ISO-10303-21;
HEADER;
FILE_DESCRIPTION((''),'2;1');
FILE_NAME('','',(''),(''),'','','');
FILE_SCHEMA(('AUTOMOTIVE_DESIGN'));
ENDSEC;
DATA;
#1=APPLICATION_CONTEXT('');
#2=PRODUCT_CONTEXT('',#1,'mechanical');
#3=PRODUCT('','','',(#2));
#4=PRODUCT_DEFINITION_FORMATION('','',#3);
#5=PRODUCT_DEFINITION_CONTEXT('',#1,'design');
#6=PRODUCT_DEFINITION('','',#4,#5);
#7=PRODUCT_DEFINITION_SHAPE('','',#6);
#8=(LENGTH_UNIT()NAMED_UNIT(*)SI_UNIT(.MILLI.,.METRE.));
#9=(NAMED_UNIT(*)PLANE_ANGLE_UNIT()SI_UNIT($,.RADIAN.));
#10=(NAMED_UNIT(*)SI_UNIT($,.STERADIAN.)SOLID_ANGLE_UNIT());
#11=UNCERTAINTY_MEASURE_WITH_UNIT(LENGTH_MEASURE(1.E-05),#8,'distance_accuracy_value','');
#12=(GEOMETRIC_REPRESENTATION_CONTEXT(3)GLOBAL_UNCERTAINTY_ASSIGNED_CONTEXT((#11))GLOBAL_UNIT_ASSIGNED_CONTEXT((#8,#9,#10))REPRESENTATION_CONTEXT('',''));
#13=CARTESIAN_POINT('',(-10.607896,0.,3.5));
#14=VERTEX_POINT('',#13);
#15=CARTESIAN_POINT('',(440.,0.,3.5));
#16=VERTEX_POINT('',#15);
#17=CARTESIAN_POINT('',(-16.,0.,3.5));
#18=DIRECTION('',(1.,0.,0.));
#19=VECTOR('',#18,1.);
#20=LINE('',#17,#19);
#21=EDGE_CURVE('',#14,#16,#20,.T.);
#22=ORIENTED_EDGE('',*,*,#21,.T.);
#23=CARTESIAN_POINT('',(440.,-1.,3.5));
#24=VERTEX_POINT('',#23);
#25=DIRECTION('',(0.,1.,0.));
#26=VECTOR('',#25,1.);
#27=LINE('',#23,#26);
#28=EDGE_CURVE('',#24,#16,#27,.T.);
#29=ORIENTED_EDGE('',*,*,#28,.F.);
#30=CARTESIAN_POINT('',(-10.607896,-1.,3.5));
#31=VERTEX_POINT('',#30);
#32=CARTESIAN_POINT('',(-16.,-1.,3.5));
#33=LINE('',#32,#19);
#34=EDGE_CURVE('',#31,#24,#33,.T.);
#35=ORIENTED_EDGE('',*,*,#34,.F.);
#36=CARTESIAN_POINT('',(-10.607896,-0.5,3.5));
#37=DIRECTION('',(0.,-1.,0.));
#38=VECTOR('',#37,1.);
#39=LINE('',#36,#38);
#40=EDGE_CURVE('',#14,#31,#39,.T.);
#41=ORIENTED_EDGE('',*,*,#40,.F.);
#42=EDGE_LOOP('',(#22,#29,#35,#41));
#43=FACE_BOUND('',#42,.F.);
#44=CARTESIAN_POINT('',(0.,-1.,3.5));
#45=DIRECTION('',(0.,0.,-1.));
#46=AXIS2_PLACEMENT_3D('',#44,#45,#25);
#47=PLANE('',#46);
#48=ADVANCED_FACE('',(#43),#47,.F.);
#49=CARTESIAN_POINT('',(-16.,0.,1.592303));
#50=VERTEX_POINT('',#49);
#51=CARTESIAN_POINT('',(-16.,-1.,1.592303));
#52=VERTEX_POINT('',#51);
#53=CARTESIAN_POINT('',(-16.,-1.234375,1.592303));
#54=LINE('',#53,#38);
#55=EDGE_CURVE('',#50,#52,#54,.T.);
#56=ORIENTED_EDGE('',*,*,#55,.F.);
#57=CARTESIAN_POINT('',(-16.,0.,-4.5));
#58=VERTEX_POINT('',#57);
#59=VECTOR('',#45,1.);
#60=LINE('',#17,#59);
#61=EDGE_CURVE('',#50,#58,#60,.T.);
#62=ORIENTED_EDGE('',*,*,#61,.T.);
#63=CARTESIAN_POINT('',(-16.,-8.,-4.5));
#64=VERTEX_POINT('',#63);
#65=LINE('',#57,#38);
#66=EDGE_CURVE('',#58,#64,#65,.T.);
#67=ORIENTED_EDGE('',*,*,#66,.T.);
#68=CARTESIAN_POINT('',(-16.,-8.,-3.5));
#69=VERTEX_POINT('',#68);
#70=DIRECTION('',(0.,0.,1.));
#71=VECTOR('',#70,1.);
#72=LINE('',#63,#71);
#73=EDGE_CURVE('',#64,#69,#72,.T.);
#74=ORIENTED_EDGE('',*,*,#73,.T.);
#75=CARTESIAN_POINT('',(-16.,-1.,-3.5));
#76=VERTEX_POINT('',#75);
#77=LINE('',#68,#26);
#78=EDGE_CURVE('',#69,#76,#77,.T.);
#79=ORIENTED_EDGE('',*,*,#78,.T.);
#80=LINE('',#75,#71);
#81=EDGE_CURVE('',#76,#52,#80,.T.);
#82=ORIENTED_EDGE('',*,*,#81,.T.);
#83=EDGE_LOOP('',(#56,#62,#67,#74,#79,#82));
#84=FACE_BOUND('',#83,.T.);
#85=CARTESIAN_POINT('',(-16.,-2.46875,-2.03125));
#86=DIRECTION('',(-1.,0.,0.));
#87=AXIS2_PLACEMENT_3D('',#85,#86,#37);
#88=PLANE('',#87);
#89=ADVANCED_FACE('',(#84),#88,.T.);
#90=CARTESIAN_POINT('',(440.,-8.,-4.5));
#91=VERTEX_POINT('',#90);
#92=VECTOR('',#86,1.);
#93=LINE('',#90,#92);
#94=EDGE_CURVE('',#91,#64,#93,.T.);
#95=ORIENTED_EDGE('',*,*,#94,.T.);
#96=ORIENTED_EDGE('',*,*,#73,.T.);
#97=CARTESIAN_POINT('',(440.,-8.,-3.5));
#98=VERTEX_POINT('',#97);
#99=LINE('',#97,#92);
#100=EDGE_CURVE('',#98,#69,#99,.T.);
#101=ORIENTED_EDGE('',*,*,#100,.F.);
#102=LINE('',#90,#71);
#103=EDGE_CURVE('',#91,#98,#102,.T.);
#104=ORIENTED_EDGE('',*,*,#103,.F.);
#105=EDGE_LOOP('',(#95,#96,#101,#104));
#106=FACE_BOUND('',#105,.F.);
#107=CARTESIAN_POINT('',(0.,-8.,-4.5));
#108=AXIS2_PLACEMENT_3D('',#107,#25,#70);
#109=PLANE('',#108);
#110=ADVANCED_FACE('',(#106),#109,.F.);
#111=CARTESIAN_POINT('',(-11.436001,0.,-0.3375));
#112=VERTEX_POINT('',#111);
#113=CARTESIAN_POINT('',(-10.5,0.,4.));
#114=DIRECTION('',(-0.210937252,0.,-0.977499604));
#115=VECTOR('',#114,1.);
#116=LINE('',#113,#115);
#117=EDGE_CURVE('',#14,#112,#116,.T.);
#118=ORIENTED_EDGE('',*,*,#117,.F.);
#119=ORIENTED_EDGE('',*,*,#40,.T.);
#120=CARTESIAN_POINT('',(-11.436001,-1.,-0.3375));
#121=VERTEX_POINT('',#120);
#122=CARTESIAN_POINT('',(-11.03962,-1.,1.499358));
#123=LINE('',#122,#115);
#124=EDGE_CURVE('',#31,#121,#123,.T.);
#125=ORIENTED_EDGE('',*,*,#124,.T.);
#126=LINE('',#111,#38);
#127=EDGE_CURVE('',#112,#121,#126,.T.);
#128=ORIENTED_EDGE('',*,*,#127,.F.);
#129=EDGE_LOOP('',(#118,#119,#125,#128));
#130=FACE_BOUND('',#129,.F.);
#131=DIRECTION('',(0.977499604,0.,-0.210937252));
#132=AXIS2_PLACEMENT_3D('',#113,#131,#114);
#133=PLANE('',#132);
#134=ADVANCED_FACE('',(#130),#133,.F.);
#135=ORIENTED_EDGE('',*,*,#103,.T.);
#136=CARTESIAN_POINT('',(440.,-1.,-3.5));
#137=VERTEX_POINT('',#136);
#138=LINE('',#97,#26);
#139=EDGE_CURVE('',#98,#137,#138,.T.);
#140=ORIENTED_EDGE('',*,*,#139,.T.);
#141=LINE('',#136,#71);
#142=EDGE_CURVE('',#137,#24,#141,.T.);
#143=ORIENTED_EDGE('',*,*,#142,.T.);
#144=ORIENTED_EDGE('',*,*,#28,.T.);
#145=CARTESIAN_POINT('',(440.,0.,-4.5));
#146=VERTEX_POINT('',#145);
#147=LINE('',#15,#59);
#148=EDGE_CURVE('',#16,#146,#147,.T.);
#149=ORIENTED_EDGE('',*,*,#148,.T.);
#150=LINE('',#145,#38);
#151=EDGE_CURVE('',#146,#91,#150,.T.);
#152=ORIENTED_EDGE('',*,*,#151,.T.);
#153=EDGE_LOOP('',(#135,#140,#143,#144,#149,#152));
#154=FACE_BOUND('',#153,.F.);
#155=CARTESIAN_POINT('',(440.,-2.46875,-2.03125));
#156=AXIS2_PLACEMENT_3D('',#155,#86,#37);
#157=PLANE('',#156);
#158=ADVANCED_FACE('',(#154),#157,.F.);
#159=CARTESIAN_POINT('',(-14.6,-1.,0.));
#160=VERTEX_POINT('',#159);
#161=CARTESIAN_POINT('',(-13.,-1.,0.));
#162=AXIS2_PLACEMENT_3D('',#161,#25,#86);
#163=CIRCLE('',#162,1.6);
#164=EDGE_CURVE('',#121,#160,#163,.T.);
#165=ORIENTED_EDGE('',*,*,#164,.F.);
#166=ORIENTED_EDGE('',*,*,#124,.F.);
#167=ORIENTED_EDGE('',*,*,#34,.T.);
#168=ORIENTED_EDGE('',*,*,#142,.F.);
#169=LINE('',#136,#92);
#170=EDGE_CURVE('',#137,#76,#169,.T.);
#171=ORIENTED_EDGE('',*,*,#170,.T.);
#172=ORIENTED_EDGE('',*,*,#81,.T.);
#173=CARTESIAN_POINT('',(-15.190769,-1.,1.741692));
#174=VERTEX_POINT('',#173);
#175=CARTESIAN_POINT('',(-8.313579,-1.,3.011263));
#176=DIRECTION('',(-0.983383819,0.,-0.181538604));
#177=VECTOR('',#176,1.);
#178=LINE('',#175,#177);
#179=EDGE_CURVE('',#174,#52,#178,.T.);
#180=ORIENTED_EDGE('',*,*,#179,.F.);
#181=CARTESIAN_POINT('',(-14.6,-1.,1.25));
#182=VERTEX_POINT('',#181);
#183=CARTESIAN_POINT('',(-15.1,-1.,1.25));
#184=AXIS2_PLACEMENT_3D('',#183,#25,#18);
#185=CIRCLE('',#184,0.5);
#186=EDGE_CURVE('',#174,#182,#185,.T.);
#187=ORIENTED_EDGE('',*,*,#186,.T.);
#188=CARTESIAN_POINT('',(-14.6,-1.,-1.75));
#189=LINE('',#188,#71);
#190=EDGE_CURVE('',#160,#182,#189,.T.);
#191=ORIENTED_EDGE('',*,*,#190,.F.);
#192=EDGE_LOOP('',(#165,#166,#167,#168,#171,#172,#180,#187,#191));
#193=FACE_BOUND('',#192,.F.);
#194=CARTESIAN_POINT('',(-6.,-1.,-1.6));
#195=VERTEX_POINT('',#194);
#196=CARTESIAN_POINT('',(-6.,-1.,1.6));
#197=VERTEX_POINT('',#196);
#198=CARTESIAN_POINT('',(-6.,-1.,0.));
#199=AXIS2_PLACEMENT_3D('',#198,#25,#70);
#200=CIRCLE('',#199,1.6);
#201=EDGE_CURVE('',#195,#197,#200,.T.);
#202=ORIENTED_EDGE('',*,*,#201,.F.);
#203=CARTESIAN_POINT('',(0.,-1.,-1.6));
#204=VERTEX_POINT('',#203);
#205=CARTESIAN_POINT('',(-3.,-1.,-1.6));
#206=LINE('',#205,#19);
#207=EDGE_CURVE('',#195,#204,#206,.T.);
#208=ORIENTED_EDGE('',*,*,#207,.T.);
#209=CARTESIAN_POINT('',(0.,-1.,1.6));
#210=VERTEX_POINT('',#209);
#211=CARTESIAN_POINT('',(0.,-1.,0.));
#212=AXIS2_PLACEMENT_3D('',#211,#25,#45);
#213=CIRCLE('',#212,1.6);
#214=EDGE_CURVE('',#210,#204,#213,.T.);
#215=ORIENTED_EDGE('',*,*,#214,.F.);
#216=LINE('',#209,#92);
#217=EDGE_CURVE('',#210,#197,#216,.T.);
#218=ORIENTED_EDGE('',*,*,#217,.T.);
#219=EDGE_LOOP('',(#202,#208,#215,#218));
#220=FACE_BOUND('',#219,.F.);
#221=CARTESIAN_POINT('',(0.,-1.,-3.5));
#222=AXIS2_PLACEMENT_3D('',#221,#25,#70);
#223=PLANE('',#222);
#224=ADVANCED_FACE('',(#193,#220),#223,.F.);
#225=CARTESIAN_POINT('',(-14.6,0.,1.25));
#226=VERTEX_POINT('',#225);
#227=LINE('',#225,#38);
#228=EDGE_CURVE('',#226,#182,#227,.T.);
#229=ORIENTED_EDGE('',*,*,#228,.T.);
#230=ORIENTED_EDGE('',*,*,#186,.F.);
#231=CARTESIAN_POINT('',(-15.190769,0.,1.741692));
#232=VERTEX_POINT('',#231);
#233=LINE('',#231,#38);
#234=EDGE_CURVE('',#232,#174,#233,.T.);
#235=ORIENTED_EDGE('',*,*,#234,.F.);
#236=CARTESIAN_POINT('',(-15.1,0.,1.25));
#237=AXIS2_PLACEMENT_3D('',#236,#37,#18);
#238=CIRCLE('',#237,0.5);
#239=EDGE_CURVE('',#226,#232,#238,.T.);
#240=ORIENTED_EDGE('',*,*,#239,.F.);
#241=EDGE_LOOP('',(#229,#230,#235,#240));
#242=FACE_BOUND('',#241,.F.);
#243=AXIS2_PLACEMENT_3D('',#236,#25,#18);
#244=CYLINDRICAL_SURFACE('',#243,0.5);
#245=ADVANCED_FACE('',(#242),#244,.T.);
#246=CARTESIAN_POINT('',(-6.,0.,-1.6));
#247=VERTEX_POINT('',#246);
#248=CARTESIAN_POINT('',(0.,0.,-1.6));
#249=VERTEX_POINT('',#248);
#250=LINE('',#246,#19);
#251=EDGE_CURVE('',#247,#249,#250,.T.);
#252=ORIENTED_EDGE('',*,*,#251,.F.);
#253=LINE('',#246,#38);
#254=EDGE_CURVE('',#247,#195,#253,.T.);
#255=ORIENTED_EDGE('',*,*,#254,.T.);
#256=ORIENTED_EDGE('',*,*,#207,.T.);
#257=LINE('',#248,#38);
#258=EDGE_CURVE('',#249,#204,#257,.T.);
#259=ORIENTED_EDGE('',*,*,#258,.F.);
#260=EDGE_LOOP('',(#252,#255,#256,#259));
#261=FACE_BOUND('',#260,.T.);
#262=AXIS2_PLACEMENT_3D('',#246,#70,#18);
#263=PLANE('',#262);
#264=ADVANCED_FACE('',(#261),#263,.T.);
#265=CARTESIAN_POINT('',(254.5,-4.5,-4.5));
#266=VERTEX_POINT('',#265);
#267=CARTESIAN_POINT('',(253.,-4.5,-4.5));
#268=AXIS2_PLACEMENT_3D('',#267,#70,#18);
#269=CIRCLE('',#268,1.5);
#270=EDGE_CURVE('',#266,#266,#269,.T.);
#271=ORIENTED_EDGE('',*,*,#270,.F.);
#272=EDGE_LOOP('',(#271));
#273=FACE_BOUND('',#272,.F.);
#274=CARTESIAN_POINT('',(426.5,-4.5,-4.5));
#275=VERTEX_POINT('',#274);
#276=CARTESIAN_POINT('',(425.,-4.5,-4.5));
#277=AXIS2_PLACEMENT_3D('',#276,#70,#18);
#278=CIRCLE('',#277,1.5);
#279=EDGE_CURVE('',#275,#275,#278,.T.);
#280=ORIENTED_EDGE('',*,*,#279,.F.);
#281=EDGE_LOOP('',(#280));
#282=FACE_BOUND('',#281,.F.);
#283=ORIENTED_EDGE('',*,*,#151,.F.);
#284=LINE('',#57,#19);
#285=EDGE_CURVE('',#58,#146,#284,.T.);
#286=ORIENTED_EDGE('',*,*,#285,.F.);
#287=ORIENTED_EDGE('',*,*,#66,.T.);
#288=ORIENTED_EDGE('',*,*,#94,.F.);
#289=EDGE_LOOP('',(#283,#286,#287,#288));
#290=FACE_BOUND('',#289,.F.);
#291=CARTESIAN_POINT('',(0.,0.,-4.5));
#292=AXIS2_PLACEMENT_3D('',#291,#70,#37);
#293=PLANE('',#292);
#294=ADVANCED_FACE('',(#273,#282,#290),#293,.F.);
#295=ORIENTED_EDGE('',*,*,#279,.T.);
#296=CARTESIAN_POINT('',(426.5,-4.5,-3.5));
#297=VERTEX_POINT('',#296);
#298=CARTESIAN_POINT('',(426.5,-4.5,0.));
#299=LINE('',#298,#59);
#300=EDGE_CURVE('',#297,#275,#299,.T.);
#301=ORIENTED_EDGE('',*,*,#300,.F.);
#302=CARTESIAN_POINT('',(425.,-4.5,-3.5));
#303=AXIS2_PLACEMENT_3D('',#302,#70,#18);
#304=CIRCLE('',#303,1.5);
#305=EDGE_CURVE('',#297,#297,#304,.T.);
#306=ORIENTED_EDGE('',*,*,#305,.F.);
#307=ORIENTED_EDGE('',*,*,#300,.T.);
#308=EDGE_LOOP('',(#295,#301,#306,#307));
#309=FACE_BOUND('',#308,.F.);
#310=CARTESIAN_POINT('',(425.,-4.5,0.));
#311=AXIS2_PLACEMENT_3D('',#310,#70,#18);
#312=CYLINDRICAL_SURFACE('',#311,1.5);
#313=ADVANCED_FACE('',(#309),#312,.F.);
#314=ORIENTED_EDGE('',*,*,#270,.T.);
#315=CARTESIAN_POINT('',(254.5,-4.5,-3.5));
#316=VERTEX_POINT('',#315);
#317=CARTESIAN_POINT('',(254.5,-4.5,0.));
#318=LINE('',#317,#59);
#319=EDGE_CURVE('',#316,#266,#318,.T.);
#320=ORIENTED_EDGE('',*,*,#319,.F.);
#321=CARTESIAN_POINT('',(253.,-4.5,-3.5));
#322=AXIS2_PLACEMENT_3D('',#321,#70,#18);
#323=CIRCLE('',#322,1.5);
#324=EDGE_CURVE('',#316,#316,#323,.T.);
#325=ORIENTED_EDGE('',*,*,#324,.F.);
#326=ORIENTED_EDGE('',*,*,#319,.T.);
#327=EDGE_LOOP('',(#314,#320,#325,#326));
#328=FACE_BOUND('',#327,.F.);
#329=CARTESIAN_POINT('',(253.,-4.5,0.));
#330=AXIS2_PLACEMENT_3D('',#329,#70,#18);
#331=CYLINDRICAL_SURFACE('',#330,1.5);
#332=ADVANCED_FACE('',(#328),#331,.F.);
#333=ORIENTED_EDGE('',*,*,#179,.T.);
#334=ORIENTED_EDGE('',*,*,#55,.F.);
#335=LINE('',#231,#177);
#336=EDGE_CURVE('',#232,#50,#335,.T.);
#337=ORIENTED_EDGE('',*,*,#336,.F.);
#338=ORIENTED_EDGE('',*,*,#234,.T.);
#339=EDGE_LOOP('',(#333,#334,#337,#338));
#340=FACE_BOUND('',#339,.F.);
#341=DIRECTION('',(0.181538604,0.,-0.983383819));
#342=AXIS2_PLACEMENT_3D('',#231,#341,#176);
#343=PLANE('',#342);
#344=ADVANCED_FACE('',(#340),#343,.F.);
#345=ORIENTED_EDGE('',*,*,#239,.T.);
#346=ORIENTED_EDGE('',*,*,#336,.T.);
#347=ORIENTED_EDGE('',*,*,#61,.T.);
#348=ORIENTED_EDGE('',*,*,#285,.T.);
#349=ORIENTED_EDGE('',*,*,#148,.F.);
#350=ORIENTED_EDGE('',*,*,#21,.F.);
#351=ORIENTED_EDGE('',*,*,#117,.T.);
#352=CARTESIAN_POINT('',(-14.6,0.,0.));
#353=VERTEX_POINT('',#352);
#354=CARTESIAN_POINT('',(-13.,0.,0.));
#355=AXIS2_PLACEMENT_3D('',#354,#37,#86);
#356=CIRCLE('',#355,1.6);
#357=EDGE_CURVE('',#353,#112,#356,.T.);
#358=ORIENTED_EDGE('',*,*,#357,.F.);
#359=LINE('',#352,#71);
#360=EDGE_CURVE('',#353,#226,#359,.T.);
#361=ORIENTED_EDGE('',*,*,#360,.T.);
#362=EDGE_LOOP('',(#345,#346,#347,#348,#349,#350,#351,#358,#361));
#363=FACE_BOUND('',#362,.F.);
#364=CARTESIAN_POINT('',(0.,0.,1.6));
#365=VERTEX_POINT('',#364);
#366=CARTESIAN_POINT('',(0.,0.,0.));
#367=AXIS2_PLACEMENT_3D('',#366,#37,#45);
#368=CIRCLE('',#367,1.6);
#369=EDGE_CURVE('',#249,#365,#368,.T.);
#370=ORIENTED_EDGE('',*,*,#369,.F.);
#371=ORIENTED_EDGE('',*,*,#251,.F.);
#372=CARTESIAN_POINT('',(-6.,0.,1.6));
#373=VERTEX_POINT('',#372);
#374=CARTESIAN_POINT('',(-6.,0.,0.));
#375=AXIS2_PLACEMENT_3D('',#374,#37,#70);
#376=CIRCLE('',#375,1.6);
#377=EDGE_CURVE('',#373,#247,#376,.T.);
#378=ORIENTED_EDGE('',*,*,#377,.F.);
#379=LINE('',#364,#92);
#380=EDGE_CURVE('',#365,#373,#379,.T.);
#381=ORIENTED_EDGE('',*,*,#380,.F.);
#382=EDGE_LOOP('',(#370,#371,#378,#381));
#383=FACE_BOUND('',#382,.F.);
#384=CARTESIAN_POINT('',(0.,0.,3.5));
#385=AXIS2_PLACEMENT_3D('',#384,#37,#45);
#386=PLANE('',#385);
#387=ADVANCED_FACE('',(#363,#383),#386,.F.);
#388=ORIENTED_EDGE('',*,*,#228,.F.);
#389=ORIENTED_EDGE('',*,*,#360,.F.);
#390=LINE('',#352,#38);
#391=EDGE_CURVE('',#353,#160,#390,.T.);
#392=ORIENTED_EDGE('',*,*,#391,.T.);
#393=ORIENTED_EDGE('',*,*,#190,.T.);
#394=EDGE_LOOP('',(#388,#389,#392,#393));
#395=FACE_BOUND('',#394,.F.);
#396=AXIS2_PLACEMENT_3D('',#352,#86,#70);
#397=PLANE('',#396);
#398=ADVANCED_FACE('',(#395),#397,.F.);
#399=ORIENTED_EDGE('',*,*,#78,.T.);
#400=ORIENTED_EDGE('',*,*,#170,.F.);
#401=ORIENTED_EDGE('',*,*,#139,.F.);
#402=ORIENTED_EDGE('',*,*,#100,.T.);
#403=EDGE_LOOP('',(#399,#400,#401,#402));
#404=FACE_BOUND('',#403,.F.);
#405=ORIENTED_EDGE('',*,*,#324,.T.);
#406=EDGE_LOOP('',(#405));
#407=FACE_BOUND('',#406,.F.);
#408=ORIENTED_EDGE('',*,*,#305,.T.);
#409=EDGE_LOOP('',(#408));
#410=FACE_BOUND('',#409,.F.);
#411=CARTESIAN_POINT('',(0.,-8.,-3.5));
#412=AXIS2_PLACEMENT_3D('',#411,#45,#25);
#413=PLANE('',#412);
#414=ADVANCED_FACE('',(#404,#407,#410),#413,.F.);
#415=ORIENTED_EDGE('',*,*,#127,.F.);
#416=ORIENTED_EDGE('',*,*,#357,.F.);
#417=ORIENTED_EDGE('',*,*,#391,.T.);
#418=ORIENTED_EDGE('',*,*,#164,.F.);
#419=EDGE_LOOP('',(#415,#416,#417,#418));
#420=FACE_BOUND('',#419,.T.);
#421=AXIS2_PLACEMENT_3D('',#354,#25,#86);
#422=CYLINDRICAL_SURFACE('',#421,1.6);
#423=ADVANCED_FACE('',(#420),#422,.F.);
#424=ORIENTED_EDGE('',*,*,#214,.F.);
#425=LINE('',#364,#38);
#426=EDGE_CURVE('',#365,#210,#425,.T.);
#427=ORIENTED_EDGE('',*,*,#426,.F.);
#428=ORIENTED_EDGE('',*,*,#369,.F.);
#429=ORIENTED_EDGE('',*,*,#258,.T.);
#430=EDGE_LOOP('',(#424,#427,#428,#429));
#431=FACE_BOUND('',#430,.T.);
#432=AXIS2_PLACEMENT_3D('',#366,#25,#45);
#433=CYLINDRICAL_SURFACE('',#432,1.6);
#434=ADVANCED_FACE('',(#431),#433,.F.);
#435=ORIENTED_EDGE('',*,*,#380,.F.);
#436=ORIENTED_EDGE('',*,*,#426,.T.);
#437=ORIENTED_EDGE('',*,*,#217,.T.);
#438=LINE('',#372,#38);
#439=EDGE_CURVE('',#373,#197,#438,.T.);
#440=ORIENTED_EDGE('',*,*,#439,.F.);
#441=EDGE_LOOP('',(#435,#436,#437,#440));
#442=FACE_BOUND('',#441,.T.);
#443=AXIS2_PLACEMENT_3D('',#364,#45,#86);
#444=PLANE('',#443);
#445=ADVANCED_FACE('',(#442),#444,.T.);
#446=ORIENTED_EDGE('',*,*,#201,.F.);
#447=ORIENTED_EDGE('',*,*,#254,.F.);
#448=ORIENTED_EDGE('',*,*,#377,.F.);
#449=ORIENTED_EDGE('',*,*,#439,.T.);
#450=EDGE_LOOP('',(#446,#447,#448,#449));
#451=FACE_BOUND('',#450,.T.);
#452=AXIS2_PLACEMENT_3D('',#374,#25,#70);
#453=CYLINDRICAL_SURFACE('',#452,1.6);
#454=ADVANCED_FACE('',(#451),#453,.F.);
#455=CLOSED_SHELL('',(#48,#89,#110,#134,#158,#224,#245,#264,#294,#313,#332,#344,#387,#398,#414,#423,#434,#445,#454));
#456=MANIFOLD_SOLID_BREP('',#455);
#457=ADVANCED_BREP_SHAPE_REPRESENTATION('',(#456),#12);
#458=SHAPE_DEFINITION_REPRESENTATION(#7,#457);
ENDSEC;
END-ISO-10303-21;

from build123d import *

# Parameters (mm, degrees)
PAD017_DEPTH      = 440
PAD017_DEPTH_BACK = 16
POCKET018_DEPTH   = 5
SKETCH055_R       = 1.5
POCKET019_DEPTH   = 5


with BuildPart() as part:
    # Sketch053 → Pad017 (new body, two sides)
    with BuildSketch(Plane.YZ) as pad017_sk:
        Polygon((0, -4.5), (-8, -4.5), (-8, -3.5), (-1, -3.5), (-1, 3.5), (0, 3.5), align=None)
    extrude(amount=PAD017_DEPTH)
    extrude(pad017_sk.sketch, amount=-PAD017_DEPTH_BACK)

    # Sketch054 → Pocket018 (cut)
    with BuildSketch(Plane.XZ):
        with BuildLine():
            ThreePointArc((-6, 1.6), (-7.6, 0), (-6, -1.6))
            Line((-6, -1.6), (0, -1.6))
            ThreePointArc((0, -1.6), (1.6, 0), (0, 1.6))
            Line((0, 1.6), (-6, 1.6))
        make_face()
        with BuildLine():
            Line((-16.5, 4), (-10.5, 4))
            Line((-10.5, 4), (-11.4360006338, -0.3374996039))
            ThreePointArc((-14.6, 0), (-13.1697071214, -1.5909743848), (-11.4360006338, -0.3374996039))
            Line((-14.6, 0), (-14.6, 1.25))
            ThreePointArc((-14.6, 1.25), (-14.7801442911, 1.6343075923), (-15.1907693019, 1.7416919095))
            Line((-15.1907693019, 1.7416919095), (-16.5, 1.5))
            Line((-16.5, 1.5), (-16.5, 4))
        make_face()
    extrude(amount=POCKET018_DEPTH, mode=Mode.SUBTRACT)

    # Sketch055 → Pocket019 (cut)
    with BuildSketch(Plane.XY):
        with Locations((425, -4.5)):
            Circle(SKETCH055_R)
        with Locations((253, -4.5)):
            Circle(SKETCH055_R)
    extrude(amount=-POCKET019_DEPTH, mode=Mode.SUBTRACT)


solid = part.part
